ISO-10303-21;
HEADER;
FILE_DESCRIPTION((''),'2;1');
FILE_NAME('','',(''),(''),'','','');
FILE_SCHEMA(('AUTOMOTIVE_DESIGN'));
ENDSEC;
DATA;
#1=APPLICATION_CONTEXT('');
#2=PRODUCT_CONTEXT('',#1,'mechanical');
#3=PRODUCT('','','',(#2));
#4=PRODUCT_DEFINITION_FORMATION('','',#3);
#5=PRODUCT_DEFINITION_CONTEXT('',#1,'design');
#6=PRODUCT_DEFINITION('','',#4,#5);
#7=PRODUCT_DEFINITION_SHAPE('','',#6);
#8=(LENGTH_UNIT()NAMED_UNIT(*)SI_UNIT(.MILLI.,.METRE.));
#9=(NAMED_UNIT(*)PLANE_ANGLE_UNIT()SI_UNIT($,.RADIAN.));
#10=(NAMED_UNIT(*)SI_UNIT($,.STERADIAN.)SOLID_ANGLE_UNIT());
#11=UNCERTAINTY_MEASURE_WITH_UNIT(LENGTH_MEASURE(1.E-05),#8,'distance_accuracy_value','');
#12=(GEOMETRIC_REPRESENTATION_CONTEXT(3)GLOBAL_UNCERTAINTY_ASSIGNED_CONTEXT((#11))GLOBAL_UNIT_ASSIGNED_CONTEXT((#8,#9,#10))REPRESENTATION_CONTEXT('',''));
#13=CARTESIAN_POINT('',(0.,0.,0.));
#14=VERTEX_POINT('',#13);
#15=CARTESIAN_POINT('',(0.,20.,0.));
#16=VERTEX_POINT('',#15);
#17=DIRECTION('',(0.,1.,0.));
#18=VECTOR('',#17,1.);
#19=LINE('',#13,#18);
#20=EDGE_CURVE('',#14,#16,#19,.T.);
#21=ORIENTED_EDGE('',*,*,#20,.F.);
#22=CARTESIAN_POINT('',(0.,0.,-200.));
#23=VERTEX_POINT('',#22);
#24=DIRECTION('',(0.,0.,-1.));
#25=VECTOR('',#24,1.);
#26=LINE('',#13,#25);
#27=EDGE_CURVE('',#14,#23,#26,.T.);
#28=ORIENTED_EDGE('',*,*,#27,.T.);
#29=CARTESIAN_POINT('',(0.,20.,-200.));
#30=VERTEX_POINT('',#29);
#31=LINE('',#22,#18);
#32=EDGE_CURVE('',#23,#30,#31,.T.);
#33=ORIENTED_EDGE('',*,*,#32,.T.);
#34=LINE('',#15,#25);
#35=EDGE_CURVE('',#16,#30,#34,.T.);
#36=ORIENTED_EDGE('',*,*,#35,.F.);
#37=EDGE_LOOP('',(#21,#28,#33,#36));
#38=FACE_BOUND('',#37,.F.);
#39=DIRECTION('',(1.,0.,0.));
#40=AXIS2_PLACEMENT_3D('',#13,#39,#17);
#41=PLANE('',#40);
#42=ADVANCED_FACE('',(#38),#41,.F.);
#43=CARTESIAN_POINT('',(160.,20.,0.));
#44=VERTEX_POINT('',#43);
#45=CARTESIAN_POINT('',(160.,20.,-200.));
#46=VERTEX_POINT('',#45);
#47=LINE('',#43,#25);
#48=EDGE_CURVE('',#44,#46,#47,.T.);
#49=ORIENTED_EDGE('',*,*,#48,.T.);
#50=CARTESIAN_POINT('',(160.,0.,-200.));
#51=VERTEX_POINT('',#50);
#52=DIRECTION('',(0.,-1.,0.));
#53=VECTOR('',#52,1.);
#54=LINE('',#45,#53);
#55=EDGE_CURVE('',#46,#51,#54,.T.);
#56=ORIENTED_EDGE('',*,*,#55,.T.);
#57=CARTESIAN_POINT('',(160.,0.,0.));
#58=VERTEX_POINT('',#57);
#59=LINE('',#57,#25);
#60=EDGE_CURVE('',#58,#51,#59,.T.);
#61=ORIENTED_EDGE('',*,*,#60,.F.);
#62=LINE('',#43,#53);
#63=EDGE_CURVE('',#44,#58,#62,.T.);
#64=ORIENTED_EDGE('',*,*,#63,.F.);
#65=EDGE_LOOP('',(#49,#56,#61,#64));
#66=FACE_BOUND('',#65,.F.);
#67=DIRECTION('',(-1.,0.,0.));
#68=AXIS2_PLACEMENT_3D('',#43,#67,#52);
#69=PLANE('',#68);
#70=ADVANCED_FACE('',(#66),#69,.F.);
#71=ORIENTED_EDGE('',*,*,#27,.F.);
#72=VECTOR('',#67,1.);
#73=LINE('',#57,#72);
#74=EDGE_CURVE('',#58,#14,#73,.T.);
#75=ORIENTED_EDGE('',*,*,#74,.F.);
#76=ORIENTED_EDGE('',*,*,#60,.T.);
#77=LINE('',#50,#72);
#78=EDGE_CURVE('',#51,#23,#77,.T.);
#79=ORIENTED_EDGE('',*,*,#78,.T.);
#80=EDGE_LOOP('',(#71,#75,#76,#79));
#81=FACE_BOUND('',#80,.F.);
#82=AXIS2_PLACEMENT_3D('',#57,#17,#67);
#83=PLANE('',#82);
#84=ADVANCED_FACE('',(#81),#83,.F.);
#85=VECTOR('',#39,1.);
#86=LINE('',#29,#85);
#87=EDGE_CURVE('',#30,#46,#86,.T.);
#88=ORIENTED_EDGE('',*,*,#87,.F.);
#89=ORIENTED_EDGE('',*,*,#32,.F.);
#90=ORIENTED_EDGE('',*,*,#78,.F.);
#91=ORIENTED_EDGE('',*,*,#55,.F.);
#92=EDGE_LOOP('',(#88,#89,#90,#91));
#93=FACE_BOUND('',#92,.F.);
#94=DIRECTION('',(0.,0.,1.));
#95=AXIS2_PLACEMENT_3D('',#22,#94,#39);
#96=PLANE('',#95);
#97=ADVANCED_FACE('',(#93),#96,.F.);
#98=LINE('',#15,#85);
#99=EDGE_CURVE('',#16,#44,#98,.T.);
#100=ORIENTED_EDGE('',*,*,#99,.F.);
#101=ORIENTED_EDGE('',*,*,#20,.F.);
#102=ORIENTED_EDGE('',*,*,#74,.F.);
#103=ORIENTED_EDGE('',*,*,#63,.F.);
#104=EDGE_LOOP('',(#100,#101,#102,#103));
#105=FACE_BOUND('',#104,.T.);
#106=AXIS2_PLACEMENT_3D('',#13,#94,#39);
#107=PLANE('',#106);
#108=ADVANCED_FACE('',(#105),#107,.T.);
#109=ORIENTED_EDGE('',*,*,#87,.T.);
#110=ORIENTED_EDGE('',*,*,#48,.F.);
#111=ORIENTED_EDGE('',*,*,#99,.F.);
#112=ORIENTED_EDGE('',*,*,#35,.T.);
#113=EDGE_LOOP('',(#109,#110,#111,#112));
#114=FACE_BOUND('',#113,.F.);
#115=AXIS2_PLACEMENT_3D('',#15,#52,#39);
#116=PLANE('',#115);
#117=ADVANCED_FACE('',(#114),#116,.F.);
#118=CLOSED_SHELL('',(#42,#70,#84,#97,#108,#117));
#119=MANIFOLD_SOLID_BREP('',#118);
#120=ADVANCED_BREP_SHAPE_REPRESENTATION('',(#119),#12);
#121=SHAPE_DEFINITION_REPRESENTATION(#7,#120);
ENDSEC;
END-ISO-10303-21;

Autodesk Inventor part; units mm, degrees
ref_plane "YZ Plane" through (0, 0, 0) normal (1, 0, 0) x (0, 1, 0)
ref_plane "XZ Plane" through (0, 0, 0) normal (0, 1, 0) x (-1, 0, 0)
ref_plane "XY Plane" through (0, 0, 0) normal (0, 0, 1) x (1, 0, 0)
sketch "Sketch1" plane through (0, 0, 0) normal (0, 0, 1) x (1, 0, 0)
  line L0 (0, 0) -> (0, 20)
  line L1 (0, 20) -> (160, 20)
  line L2 (160, 20) -> (160, 0)
  line L3 (160, 0) -> (0, 0)
  dimension "d0" = 20
  dimension "d1" = 160
extrude "Extrusion1" add sketch "Sketch1" against normal blind 200
properties part number "Weldedsupportpart2" material "Steel, Mild"
